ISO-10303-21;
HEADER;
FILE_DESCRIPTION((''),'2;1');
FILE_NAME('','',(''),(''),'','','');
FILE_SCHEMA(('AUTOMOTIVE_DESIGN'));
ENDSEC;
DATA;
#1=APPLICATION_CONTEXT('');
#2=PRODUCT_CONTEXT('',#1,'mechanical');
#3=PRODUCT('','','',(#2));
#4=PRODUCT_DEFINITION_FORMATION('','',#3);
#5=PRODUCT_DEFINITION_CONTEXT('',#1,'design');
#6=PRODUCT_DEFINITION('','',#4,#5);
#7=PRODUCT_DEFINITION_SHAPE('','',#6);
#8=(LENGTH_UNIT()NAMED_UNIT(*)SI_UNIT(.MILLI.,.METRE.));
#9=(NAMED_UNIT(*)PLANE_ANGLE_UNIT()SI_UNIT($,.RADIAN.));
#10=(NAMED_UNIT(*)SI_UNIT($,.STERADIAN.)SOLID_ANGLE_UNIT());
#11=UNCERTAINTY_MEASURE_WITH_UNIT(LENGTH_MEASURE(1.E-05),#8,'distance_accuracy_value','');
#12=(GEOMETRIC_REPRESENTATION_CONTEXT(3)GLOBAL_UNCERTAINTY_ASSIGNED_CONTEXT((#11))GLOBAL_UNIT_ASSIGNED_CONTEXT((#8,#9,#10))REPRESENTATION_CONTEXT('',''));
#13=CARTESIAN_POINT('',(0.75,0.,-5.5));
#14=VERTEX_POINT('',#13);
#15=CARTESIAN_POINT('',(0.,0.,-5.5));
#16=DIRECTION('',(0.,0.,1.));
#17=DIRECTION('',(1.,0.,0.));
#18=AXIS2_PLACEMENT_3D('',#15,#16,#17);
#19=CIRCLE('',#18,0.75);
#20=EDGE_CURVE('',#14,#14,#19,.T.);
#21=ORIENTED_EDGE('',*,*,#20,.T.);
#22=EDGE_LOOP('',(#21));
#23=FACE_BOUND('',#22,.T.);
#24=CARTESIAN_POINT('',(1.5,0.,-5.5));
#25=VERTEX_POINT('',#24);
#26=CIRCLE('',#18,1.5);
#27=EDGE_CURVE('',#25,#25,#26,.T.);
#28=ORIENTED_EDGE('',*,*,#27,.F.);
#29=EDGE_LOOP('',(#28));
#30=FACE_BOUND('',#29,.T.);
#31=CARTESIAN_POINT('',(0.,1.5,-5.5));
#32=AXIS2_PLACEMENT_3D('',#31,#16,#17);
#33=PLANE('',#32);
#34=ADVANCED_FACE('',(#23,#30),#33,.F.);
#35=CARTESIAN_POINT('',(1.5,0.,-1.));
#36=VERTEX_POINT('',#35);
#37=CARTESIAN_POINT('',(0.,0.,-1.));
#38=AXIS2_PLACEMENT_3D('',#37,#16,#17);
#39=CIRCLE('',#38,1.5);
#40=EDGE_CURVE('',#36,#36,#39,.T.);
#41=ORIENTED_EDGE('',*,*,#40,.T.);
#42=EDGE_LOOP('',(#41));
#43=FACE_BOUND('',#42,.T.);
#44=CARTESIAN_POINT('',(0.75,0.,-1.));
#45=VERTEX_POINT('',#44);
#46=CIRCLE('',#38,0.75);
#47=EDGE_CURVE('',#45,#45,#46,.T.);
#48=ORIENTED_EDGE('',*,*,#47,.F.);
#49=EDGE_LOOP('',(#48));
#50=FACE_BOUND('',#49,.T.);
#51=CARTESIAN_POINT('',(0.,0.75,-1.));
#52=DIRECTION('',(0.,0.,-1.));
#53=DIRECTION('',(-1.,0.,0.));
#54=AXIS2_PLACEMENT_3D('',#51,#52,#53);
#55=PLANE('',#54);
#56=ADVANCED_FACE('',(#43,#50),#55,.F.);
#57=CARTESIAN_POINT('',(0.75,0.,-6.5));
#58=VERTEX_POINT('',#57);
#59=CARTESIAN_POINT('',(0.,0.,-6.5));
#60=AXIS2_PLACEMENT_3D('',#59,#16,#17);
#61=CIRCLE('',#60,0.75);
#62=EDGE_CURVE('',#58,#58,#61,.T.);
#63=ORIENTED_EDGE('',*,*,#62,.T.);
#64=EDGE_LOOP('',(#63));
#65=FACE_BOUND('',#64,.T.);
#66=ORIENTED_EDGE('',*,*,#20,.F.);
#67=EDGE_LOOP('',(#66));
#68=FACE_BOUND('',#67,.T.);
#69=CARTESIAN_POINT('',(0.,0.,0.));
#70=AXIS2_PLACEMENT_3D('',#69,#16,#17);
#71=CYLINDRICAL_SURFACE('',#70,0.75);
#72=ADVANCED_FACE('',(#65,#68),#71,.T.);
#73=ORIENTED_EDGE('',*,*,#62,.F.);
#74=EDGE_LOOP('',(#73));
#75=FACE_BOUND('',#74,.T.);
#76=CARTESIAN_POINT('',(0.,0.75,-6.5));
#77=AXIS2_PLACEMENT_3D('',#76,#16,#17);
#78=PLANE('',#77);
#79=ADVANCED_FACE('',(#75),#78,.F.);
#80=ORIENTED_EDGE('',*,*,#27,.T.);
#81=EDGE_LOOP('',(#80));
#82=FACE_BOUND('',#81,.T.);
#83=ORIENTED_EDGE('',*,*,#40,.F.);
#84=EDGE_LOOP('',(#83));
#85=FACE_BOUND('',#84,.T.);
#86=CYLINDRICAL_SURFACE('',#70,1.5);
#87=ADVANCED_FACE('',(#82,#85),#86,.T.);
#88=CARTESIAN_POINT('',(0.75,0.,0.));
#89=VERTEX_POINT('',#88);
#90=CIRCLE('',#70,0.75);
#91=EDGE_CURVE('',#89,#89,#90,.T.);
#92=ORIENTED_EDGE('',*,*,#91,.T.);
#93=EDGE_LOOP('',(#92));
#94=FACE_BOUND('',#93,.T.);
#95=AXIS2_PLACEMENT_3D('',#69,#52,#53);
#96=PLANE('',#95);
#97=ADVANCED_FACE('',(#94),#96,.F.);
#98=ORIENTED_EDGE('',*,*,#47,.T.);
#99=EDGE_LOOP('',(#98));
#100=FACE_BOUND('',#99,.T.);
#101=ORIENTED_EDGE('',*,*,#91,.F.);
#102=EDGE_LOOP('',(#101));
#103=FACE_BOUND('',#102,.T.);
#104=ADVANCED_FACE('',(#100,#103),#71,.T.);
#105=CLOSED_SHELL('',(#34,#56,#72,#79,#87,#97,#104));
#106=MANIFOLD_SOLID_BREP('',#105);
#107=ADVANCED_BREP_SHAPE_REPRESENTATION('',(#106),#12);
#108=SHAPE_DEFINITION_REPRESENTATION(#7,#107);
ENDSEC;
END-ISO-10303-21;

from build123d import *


with BuildPart() as part:
    # Croquis1 → Revolución1 (revolve)
    with BuildSketch(Plane(origin=(0, 0, 0), x_dir=(0, 0, -1), z_dir=(1, 0, 0)), mode=Mode.PRIVATE) as revoluci_n1_sk:
        Polygon((0, 0), (6.5, 0), (6.5, 0.75), (5.5, 0.75), (5.5, 1.5), (1, 1.5), (1, 0.75), (0, 0.75), align=None)
    revolve(revoluci_n1_sk.sketch.rotate(Axis((0, 0, 0), (0, 0, -1)), 90), axis=Axis((0, 0, 0), (0, 0, -1)))


solid = part.part
